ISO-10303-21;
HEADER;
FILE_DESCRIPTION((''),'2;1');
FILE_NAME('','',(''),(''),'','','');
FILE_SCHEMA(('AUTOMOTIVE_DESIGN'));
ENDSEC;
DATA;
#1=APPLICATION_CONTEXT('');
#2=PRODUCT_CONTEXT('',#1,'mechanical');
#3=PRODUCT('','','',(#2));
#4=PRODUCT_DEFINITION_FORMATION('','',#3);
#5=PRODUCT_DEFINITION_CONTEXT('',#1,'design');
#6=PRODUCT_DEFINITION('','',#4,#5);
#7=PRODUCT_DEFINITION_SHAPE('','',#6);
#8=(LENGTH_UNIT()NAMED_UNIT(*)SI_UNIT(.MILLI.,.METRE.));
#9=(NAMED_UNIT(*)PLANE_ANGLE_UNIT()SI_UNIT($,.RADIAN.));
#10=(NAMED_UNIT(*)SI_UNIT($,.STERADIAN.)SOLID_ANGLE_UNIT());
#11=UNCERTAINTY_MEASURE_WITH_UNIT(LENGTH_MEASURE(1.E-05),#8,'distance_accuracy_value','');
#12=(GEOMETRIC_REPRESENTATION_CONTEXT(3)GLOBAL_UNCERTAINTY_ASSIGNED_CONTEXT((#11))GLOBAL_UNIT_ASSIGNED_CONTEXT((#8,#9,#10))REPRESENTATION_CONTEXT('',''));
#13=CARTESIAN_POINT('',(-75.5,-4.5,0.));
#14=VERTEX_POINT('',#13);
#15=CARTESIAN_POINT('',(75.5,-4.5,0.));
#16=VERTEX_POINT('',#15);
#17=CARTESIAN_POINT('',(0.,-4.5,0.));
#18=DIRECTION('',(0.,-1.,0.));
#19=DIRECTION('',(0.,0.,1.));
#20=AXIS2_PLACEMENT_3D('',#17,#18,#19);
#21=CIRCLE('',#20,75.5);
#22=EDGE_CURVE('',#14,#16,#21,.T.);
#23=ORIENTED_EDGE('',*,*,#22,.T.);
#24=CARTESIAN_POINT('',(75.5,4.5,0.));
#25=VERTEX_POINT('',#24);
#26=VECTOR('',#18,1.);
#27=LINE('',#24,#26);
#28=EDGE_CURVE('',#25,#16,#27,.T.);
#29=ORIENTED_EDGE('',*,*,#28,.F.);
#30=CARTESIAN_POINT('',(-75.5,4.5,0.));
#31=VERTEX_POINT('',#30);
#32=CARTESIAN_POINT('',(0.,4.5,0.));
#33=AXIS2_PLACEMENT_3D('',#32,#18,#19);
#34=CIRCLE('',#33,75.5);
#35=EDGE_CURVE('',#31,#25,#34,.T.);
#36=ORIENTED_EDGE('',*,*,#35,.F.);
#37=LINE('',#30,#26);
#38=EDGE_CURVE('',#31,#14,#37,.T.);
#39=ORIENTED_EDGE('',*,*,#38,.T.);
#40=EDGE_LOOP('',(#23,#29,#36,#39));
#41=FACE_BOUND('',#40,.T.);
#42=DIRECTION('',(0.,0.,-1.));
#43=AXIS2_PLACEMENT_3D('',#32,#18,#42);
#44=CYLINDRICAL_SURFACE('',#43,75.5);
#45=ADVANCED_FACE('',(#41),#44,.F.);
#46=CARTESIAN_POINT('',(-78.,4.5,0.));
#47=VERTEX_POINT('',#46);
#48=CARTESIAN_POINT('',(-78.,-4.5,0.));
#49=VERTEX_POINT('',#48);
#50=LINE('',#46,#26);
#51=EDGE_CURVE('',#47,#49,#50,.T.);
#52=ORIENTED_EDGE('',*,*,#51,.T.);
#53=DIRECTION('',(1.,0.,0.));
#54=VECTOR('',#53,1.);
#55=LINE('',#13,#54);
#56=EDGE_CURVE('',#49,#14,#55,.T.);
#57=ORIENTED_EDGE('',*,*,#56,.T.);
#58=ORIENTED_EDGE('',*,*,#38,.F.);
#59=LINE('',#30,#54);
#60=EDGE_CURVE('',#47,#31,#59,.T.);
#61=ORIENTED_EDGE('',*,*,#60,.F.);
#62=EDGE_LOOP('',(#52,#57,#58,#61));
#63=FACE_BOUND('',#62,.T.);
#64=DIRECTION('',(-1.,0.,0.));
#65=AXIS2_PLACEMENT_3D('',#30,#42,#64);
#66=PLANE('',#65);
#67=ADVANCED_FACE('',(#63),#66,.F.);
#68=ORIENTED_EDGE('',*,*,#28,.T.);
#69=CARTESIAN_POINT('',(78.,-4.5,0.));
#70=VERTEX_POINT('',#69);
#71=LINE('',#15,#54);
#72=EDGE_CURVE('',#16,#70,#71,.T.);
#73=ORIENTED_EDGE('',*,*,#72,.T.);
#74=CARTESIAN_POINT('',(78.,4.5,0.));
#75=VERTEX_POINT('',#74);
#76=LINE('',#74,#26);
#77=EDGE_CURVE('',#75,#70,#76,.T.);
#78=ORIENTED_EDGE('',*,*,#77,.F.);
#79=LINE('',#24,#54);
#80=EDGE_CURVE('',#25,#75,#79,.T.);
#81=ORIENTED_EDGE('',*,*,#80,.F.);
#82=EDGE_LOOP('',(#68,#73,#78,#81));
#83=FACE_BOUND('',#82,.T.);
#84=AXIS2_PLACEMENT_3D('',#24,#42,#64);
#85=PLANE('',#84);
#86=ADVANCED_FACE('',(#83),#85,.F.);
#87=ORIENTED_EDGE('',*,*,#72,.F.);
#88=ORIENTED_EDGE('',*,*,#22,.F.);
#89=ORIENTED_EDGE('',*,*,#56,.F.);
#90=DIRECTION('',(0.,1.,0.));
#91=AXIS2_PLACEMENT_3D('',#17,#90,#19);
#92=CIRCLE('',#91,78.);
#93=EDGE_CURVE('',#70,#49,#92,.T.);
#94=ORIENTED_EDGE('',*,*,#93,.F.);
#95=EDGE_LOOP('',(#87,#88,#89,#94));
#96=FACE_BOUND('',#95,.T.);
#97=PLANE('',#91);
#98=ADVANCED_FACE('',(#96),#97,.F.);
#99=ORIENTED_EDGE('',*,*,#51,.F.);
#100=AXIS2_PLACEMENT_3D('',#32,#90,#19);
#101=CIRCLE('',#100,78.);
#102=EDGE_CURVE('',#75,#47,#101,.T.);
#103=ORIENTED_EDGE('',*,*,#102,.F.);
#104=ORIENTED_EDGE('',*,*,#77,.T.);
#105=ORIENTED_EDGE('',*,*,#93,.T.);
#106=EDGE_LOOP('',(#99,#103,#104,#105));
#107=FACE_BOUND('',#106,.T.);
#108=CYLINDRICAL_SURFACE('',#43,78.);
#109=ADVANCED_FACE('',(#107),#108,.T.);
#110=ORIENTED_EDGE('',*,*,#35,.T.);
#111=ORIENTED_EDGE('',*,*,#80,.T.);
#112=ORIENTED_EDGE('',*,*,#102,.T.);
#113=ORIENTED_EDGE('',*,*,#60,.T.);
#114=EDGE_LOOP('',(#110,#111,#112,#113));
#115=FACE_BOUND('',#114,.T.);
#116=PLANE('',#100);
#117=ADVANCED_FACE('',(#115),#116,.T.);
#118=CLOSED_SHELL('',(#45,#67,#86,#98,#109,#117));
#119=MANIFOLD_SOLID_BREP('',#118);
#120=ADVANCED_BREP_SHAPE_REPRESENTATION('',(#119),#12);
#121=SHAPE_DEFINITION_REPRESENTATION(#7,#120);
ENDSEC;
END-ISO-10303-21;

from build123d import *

# Parameters (mm, degrees)
BOSS_EXTRUDE1_DEPTH = 4.5


with BuildPart() as part:
    # Sketch2 → Boss-Extrude1 (new, symmetric)
    with BuildSketch(Plane(origin=(0, 0, 0), x_dir=(1, 0, 0), z_dir=(0, 1, 0))):
        with BuildLine():
            Line((-75.5, 0), (-78, 0))
            ThreePointArc((-78, 0), (0, 78), (78, 0))
            Line((78, 0), (75.5, 0))
            ThreePointArc((75.5, 0), (0, 75.5), (-75.5, 0))
        make_face()
    extrude(amount=BOSS_EXTRUDE1_DEPTH, both=True)


solid = part.part
